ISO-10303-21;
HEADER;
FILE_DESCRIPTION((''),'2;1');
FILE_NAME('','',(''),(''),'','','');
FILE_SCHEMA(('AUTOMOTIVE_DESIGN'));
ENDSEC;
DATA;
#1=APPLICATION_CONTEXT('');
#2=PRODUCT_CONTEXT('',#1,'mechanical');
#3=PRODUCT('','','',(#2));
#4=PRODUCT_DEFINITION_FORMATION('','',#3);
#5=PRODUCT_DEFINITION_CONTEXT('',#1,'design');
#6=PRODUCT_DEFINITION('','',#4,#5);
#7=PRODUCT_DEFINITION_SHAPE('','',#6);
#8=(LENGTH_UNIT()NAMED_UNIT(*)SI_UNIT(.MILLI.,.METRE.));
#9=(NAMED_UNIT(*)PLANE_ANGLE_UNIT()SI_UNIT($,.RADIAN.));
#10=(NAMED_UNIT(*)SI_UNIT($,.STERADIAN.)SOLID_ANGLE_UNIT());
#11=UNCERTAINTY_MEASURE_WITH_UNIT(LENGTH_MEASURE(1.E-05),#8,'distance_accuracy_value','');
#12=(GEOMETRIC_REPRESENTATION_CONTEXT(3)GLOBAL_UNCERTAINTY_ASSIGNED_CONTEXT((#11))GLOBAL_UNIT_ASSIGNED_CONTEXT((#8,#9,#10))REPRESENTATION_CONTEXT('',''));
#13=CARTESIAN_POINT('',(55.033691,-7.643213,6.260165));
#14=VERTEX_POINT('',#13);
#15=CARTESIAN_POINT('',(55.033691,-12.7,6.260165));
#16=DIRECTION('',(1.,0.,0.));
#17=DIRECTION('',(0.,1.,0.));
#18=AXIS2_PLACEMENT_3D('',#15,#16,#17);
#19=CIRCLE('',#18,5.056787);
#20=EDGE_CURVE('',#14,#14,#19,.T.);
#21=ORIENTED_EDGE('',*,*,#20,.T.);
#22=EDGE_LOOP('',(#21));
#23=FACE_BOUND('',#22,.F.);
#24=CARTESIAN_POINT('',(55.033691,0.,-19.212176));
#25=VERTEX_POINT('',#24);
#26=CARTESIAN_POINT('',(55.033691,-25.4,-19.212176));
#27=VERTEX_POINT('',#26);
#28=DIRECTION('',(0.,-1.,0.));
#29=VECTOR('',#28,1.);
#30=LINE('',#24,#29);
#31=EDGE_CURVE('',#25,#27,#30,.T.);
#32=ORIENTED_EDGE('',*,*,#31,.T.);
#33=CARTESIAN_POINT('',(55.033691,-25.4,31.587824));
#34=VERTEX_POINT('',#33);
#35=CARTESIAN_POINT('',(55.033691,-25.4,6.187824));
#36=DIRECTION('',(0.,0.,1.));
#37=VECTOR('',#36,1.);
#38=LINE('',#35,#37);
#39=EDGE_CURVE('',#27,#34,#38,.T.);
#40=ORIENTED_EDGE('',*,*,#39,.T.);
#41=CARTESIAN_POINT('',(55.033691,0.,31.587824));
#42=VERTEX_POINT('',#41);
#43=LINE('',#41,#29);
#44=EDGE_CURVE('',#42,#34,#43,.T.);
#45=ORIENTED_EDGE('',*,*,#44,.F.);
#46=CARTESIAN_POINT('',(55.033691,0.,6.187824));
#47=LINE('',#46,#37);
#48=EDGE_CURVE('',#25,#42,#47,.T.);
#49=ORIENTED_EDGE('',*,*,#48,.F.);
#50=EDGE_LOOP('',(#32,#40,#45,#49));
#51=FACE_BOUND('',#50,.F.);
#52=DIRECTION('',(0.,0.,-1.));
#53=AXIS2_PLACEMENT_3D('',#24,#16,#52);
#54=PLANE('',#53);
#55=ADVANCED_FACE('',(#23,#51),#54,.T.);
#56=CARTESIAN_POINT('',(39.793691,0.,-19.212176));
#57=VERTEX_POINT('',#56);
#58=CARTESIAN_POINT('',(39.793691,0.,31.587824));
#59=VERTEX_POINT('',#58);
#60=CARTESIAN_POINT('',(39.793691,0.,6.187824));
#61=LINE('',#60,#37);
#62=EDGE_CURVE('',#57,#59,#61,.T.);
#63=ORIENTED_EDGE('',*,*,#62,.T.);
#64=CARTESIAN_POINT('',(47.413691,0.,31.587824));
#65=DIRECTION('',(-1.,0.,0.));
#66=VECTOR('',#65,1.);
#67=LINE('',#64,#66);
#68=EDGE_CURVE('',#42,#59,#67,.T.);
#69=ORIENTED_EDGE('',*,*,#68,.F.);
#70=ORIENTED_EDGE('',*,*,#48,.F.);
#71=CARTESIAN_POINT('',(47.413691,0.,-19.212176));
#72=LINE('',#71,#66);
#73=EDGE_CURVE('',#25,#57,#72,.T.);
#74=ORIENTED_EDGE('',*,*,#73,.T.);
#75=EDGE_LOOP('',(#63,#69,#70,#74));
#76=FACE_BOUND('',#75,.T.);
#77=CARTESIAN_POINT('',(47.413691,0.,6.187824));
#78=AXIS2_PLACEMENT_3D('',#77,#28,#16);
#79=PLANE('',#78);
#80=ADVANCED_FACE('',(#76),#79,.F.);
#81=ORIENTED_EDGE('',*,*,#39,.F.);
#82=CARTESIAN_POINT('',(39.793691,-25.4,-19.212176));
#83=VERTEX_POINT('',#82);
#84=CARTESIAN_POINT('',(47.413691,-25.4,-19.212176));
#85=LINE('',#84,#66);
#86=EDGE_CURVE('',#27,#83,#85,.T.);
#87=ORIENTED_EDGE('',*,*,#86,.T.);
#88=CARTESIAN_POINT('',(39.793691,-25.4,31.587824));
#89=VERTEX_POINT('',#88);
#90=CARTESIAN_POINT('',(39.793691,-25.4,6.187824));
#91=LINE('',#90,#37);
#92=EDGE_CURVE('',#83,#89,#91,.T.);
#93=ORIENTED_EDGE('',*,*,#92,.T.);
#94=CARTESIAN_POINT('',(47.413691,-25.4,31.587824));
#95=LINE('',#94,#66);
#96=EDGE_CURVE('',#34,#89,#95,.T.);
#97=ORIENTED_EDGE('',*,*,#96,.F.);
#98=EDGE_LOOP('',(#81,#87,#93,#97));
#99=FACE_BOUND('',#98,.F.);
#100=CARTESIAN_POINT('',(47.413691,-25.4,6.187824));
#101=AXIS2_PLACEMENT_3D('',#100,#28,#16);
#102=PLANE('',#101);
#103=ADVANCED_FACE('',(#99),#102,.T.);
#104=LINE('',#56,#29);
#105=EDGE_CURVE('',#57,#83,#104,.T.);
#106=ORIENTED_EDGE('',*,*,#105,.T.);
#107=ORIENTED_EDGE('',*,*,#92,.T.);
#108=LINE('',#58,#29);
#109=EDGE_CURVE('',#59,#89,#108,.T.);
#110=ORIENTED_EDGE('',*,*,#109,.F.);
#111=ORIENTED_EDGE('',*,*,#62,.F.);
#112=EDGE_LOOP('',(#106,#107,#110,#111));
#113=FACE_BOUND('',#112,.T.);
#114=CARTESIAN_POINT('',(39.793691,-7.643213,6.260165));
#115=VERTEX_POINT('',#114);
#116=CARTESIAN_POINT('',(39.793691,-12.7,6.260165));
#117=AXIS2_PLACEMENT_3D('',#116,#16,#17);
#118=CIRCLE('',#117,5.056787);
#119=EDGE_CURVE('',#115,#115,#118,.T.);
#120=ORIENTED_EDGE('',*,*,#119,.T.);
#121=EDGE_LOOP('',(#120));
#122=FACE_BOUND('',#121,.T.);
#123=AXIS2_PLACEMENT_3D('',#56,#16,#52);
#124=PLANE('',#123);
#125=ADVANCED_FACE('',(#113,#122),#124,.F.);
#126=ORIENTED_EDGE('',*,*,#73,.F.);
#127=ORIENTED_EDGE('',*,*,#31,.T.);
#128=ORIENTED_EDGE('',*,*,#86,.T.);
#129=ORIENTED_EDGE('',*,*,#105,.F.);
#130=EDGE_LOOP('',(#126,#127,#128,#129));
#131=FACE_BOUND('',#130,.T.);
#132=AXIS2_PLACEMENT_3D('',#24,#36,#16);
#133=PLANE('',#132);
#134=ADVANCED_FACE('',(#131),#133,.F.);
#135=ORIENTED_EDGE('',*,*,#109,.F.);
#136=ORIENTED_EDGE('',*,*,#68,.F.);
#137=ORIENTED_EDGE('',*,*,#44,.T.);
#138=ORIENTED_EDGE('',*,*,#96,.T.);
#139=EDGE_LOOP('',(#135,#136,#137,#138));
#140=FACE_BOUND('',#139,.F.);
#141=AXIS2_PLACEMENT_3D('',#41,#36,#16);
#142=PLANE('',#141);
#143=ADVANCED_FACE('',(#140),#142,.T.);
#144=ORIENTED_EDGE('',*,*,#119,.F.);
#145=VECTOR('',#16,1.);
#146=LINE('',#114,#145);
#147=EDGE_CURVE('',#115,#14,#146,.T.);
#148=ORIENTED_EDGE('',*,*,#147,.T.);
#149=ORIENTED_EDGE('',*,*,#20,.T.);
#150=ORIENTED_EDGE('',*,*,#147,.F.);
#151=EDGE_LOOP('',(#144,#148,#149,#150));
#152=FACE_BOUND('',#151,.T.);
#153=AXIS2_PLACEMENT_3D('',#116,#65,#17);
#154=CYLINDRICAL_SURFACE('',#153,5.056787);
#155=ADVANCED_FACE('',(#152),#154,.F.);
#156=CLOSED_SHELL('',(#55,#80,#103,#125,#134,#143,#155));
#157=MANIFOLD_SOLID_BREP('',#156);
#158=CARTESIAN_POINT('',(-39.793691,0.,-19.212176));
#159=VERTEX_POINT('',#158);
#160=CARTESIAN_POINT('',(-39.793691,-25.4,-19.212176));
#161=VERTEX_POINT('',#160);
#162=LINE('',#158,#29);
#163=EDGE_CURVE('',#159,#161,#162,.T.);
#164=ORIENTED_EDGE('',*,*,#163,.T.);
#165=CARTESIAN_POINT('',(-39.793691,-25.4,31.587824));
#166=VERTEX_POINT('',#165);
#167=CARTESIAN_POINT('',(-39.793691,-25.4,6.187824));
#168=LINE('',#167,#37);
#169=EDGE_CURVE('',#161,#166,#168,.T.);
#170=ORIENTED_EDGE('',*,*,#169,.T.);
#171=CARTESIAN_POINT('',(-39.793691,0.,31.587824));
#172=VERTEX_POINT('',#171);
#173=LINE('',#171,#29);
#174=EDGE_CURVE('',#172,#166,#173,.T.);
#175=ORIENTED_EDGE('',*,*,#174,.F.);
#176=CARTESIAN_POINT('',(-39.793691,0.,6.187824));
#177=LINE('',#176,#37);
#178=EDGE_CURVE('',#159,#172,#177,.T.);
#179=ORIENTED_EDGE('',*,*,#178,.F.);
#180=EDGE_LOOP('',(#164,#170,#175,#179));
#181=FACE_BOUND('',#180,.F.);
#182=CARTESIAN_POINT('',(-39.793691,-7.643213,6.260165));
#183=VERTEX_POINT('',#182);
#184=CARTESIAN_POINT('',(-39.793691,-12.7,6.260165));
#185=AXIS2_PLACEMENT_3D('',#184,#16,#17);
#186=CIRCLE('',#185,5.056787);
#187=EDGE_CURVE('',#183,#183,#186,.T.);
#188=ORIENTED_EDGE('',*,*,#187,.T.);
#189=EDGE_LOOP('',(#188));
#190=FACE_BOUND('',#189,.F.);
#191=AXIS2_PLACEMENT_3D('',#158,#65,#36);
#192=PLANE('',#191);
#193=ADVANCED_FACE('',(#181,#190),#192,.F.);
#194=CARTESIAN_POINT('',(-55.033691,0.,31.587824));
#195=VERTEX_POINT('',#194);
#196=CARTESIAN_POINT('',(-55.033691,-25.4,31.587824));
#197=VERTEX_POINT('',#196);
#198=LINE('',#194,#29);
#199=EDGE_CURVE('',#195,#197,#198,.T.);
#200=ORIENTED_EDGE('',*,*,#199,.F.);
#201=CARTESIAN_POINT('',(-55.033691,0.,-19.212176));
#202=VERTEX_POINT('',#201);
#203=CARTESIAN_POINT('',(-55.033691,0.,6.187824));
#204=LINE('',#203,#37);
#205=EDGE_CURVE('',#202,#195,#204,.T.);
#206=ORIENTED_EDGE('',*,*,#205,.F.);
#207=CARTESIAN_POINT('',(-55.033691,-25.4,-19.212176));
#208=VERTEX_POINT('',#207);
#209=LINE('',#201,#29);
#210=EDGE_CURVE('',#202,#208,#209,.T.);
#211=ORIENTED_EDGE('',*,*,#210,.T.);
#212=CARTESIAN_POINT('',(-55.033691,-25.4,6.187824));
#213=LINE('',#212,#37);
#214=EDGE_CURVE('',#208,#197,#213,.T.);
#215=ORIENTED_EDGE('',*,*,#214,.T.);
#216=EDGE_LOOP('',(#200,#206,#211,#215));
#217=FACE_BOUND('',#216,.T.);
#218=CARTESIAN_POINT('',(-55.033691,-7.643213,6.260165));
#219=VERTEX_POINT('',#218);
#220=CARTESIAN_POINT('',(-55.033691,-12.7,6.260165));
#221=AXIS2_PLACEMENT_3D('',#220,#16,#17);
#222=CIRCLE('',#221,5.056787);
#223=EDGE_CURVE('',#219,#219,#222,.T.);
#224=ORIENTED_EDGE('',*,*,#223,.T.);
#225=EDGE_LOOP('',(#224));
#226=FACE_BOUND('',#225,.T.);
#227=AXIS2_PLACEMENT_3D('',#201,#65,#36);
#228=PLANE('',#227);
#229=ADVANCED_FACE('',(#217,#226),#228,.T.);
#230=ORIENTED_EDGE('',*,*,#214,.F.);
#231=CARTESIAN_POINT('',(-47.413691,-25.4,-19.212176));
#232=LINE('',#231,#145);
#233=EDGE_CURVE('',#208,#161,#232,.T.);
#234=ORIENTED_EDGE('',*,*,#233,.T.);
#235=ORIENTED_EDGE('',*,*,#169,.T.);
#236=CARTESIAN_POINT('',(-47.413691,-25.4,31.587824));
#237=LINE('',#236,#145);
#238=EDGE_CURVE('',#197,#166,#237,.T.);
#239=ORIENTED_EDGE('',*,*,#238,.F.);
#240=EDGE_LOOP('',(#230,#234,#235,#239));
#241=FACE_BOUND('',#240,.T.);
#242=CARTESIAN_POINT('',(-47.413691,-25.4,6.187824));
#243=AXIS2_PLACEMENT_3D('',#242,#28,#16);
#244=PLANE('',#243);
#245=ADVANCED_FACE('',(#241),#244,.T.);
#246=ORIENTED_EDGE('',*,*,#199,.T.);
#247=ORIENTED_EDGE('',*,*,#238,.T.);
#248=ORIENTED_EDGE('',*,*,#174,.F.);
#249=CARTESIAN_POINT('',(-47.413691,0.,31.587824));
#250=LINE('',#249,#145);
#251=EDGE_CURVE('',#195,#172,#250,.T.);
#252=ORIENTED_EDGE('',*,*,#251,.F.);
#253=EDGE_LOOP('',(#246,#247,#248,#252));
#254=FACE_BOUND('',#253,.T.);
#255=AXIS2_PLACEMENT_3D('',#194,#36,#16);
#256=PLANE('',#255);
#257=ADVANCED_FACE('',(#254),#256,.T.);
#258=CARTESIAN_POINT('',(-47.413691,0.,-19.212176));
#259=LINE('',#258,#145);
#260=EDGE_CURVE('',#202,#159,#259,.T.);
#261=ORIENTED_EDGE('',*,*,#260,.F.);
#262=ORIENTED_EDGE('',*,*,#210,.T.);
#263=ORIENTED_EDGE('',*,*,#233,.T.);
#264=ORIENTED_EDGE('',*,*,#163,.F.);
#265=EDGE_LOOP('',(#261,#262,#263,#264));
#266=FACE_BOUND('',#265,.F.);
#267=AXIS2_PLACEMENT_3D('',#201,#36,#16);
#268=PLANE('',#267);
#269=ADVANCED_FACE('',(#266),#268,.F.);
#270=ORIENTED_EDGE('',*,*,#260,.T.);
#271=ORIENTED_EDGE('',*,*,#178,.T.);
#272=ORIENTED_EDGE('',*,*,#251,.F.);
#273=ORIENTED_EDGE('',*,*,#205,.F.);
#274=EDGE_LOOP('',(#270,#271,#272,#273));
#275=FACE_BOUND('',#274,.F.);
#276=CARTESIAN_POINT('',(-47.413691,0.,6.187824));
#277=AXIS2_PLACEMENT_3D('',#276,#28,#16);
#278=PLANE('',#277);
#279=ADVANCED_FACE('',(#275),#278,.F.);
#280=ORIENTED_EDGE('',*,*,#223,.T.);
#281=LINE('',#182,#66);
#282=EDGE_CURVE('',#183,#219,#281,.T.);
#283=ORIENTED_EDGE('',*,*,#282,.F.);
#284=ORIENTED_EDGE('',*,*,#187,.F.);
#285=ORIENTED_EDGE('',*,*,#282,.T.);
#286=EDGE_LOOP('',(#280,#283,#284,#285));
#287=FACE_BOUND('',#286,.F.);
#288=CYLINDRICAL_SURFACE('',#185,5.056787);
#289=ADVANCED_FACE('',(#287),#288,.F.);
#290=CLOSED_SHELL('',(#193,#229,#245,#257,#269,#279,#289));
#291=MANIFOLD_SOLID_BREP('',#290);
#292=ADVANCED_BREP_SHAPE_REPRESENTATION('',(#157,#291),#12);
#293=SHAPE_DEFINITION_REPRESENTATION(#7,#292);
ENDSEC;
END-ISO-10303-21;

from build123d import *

# Parameters (mm, degrees)
F0_W     = 15.24
F0_H     = 50.8
F1_DEPTH = 25.4
F2_R     = 5.056787
F3_DEPTH = 25.4


with BuildPart() as f1:
    # F0 (on Front) → F1 (new body)
    with BuildSketch(Plane.XZ):
        with Locations((-47.413691, 6.187824)):
            Rectangle(F0_W, F0_H)
    extrude(amount=F1_DEPTH)

    # F2 (on face) → F3 (cut)
    with BuildSketch(Plane.YZ.offset(-39.793691)):
        with Locations((-12.7, 6.260165)):
            Circle(F2_R)
    extrude(amount=-F3_DEPTH, mode=Mode.SUBTRACT)


with BuildPart() as f4_1:
    # F4: instance of F1
    add(f1.part.mirror(Plane.YZ))


solid = Compound([f1.part, f4_1.part])
